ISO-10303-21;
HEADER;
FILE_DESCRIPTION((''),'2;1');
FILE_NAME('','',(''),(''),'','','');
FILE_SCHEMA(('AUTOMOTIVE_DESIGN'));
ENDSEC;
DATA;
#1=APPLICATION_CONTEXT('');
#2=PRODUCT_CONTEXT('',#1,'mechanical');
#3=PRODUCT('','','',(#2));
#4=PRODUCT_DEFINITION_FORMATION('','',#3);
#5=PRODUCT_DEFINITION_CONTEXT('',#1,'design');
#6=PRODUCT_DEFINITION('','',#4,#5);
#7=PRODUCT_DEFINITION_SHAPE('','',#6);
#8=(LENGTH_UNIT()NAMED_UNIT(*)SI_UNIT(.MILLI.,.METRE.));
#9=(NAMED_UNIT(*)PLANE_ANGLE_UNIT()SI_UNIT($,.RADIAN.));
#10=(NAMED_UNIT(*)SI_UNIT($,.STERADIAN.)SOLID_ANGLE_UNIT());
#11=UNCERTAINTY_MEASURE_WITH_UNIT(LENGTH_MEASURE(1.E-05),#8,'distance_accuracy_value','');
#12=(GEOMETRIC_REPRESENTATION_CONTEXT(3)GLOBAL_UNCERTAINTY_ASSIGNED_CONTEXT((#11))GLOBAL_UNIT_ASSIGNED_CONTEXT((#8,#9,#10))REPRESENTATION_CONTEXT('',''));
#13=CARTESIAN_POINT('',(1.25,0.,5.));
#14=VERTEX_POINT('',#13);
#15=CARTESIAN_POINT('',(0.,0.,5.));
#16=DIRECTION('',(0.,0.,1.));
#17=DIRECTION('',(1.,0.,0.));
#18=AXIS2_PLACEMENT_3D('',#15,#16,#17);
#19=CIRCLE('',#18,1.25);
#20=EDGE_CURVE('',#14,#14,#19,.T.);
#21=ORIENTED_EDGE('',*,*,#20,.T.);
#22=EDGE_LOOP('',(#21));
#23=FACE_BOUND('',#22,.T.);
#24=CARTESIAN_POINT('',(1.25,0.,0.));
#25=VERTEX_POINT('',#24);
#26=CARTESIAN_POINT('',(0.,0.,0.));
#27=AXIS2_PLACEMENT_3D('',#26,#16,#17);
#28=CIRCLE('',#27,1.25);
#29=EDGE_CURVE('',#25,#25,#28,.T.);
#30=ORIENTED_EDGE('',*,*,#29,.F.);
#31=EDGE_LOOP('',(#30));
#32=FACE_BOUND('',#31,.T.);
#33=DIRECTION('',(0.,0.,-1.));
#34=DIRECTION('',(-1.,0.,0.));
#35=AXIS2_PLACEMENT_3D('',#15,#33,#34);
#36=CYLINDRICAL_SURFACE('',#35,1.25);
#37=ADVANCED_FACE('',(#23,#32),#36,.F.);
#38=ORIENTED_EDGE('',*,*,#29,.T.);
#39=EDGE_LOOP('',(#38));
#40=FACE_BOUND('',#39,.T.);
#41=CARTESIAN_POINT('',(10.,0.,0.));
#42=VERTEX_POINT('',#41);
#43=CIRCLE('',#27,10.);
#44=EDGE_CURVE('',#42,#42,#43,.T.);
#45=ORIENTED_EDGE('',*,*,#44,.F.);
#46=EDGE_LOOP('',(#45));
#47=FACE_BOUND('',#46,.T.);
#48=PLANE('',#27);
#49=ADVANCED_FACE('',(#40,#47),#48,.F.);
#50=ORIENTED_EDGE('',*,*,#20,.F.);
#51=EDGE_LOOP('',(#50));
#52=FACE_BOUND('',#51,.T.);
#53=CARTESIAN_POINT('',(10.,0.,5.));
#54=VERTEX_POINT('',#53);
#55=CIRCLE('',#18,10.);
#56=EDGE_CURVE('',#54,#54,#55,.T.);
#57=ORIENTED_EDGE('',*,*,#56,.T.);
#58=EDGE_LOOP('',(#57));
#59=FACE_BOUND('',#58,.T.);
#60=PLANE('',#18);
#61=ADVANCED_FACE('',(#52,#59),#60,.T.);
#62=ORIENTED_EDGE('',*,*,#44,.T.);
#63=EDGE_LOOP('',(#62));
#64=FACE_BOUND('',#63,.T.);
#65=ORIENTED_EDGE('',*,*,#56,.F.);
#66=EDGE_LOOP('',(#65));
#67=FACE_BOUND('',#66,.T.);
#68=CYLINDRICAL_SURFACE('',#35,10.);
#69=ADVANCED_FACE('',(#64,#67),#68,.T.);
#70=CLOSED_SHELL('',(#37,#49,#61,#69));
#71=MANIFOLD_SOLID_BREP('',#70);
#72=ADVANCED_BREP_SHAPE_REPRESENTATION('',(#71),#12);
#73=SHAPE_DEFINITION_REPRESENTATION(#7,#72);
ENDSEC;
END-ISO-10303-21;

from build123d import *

# Parameters (mm, degrees)
ESQUISSE1_R        = 10
ESQUISSE1_R_2      = 1.25
BOSS_EXTRU_1_DEPTH = 5


with BuildPart() as part:
    # Esquisse1 → Boss.-Extru.1 (new body)
    with BuildSketch(Plane.XY):
        Circle(ESQUISSE1_R)
        Circle(ESQUISSE1_R_2, mode=Mode.SUBTRACT)
    extrude(amount=BOSS_EXTRU_1_DEPTH)


solid = part.part
